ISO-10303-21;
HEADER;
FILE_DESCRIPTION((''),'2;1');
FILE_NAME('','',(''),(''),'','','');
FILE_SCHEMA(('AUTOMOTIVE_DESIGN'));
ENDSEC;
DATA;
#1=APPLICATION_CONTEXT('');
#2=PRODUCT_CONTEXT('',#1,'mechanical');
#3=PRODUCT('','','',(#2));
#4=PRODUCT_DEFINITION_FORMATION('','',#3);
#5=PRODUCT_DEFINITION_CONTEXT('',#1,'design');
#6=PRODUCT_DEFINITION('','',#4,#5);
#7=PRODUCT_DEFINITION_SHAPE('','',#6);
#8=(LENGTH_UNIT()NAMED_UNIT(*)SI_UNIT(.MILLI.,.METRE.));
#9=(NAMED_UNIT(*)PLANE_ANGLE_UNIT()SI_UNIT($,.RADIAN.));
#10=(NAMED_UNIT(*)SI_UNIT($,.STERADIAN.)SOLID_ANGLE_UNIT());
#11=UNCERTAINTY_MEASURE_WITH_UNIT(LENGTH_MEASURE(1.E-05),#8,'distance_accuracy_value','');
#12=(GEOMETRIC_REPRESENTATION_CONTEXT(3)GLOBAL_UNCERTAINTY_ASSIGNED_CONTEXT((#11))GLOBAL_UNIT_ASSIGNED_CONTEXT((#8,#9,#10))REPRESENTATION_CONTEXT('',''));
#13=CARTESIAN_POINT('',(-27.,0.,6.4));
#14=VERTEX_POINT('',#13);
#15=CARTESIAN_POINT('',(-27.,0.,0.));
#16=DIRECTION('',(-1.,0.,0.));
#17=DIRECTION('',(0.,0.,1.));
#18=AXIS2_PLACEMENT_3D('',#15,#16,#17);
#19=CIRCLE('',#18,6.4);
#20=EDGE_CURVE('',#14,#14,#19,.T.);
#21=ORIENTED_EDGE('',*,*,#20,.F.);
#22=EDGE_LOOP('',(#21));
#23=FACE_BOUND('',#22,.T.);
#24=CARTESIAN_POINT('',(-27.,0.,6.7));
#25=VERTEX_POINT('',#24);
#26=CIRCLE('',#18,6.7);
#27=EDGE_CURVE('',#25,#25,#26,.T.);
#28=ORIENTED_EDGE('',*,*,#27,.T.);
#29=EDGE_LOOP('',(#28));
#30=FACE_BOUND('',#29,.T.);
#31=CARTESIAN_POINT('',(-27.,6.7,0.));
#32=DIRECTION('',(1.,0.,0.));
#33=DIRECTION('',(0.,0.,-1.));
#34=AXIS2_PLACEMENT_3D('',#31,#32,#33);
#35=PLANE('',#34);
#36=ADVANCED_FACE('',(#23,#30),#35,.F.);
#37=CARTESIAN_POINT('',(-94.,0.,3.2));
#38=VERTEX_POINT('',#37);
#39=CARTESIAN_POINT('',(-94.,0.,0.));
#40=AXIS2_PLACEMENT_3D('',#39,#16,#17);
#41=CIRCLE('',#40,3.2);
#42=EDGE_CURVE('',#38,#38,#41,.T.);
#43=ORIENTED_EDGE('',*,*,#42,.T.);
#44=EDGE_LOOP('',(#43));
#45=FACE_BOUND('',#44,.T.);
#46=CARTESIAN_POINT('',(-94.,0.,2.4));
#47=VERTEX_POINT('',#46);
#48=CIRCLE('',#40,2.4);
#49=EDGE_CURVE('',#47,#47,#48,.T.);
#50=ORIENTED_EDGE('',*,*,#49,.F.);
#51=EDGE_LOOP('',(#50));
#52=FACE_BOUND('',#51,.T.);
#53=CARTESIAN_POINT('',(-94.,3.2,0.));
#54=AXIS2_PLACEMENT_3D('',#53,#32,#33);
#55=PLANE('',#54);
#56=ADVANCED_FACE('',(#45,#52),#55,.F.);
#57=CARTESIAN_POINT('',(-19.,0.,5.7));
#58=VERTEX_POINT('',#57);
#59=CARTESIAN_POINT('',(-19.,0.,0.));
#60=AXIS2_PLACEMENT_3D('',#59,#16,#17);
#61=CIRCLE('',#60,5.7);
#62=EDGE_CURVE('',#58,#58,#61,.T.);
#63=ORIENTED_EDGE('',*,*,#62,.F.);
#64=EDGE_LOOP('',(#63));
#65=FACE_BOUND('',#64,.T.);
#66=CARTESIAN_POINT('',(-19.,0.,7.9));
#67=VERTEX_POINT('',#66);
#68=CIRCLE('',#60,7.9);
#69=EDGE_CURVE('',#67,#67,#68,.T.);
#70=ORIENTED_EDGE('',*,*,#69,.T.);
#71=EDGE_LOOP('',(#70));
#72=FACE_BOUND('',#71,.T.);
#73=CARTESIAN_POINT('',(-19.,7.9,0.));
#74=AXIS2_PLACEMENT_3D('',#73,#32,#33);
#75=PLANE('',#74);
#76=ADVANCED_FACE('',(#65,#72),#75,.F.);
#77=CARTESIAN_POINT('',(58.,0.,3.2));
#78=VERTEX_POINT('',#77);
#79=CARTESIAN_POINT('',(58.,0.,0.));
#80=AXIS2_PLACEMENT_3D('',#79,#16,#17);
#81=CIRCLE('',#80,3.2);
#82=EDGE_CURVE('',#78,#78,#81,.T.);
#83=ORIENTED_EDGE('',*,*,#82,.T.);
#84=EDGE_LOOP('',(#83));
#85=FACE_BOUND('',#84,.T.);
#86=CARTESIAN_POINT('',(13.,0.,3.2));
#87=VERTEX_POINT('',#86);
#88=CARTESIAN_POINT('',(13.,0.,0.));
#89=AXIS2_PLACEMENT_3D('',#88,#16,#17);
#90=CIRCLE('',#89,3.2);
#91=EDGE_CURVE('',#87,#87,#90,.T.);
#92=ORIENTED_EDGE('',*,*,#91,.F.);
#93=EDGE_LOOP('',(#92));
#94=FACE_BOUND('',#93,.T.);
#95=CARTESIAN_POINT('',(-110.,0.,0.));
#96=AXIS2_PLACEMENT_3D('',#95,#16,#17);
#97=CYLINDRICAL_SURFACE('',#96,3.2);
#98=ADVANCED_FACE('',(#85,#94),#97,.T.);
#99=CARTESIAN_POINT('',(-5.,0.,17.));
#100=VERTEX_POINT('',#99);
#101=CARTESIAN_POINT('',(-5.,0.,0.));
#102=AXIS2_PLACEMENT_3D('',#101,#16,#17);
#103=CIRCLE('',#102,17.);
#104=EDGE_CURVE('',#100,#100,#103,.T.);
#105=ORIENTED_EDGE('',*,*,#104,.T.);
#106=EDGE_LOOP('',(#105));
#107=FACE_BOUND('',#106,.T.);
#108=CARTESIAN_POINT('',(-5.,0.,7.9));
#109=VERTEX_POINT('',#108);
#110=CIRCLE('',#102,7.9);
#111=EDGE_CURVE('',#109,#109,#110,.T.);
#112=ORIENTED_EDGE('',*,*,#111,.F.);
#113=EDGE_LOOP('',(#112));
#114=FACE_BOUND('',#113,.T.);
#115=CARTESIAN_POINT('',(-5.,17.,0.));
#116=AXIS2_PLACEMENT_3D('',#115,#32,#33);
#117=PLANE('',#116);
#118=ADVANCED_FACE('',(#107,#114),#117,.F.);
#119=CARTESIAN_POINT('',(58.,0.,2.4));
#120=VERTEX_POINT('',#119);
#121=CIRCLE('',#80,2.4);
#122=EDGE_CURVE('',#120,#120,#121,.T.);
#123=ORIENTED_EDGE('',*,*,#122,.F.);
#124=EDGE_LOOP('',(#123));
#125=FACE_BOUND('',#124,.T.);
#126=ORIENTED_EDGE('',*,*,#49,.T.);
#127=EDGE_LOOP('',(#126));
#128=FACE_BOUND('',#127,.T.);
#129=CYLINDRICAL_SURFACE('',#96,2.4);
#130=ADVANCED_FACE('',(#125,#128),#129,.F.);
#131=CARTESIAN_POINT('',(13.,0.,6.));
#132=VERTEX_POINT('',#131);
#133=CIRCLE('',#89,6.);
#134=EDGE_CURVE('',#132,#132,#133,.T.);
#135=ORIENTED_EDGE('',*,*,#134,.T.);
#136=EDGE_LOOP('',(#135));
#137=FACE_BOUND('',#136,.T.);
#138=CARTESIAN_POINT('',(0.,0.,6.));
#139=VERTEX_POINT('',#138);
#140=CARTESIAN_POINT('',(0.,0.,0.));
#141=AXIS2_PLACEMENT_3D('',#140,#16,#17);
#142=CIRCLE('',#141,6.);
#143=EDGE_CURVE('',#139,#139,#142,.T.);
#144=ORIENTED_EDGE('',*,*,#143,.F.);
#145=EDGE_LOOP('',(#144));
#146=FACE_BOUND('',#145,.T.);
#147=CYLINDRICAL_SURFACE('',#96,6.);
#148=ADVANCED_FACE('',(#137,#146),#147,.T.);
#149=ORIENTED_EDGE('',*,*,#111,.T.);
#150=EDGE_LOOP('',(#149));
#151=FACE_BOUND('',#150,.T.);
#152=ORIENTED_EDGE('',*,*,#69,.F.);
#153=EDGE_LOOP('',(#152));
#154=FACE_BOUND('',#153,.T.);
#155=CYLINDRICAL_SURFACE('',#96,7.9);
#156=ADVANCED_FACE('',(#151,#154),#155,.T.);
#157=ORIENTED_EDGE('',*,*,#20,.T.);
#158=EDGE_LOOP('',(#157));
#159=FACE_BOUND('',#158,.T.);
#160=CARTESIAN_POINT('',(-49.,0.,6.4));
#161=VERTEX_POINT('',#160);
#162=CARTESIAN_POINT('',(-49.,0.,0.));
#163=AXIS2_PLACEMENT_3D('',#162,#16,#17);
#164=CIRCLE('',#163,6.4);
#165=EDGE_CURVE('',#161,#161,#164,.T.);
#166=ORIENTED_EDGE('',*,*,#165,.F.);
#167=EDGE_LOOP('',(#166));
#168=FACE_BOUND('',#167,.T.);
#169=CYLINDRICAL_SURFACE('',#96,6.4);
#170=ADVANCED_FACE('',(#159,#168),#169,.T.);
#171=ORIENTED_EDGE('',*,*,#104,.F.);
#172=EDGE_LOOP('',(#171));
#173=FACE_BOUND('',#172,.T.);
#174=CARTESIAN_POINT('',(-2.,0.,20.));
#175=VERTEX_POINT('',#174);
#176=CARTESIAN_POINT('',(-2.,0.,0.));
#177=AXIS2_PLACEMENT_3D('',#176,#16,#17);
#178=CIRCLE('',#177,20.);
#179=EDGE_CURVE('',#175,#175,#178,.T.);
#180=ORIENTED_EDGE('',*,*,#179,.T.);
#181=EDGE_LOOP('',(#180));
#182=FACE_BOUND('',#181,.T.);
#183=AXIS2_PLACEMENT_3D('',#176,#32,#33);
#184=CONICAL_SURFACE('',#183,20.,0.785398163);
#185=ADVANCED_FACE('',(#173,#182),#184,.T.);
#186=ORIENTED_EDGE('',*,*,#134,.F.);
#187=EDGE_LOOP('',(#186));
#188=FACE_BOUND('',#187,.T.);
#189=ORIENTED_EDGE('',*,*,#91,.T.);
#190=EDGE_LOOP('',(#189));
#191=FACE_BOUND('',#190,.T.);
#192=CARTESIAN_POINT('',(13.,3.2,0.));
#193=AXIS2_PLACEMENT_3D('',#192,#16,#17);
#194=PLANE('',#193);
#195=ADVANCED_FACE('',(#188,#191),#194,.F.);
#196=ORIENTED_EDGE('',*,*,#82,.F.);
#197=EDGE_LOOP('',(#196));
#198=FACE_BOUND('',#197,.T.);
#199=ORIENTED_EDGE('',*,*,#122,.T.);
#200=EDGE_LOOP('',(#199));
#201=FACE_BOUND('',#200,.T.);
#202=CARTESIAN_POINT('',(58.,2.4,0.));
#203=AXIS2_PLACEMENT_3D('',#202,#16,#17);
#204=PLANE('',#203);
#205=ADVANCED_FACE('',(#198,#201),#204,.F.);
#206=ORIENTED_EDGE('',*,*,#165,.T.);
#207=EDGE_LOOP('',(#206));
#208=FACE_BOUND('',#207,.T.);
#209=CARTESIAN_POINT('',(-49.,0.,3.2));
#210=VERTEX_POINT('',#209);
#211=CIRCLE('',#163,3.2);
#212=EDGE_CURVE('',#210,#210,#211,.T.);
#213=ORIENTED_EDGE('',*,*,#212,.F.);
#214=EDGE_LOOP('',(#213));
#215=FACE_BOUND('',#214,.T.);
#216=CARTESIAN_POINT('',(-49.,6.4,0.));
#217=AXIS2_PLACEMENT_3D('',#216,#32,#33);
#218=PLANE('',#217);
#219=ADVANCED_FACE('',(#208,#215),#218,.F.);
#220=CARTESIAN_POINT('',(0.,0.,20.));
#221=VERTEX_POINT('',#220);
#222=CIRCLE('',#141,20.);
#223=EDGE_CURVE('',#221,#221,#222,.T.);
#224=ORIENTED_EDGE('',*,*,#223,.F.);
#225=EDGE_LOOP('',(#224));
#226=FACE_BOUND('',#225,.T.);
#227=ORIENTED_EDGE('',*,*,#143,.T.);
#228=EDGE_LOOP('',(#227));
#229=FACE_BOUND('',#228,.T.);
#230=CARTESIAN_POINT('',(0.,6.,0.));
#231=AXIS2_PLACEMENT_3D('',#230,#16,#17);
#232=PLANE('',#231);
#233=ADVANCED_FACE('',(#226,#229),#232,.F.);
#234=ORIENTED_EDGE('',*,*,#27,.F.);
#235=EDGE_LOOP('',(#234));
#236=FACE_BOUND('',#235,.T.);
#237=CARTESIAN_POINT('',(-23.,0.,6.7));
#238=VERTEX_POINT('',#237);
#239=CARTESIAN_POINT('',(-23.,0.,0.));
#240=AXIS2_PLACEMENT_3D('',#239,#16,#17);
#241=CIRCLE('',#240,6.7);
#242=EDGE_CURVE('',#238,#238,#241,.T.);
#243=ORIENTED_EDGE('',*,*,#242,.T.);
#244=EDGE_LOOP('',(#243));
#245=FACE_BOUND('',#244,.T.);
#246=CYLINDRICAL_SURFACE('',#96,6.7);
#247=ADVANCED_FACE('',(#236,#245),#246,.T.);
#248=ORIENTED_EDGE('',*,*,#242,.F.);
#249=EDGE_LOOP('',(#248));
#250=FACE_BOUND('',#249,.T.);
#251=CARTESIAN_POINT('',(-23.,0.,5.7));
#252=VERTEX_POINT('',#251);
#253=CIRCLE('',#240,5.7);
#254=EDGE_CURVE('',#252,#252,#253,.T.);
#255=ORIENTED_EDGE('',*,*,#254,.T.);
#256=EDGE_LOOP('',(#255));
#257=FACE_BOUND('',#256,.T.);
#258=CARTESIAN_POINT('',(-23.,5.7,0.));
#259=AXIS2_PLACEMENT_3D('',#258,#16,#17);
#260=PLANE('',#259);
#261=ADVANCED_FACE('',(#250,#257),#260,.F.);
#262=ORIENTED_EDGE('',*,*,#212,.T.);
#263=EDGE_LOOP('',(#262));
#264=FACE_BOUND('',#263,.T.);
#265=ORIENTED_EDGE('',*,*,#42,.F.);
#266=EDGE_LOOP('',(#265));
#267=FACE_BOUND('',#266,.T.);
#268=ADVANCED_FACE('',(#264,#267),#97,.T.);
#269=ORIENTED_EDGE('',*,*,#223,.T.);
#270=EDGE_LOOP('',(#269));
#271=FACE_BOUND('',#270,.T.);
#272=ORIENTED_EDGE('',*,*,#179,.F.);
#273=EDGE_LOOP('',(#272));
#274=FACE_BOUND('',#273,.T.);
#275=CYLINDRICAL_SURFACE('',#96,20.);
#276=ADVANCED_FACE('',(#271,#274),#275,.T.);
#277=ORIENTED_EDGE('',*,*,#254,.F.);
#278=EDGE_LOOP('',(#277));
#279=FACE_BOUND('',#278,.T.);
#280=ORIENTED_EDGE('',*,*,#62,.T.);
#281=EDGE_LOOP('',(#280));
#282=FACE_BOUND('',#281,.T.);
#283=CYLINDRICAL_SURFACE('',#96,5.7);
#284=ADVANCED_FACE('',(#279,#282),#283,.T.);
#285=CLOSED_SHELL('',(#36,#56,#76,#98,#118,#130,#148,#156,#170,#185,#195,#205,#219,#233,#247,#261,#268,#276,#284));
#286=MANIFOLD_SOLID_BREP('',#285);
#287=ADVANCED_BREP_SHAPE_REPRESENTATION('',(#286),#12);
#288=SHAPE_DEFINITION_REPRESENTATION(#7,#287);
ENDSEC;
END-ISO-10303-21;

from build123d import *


with BuildPart() as part:
    # Axial profile (mm) → Full revolution (revolve)
    with BuildSketch(Plane.XY, mode=Mode.PRIVATE) as full_revolution_sk:
        Polygon((-94, 2.4), (58, 2.4), (58, 3.2), (13, 3.2), (13, 6), (0, 6), (0, 20), (-2, 20), (-5, 17), (-5, 7.9), (-19, 7.9), (-19, 5.7), (-23, 5.7), (-23, 6.7), (-27, 6.7), (-27, 6.4), (-49, 6.4), (-49, 3.2), (-94, 3.2), align=None)
    revolve(full_revolution_sk.sketch.rotate(Axis((-110, 0, 0), (1, 0, 0)), 90), axis=Axis((-110, 0, 0), (1, 0, 0)))


solid = part.part
